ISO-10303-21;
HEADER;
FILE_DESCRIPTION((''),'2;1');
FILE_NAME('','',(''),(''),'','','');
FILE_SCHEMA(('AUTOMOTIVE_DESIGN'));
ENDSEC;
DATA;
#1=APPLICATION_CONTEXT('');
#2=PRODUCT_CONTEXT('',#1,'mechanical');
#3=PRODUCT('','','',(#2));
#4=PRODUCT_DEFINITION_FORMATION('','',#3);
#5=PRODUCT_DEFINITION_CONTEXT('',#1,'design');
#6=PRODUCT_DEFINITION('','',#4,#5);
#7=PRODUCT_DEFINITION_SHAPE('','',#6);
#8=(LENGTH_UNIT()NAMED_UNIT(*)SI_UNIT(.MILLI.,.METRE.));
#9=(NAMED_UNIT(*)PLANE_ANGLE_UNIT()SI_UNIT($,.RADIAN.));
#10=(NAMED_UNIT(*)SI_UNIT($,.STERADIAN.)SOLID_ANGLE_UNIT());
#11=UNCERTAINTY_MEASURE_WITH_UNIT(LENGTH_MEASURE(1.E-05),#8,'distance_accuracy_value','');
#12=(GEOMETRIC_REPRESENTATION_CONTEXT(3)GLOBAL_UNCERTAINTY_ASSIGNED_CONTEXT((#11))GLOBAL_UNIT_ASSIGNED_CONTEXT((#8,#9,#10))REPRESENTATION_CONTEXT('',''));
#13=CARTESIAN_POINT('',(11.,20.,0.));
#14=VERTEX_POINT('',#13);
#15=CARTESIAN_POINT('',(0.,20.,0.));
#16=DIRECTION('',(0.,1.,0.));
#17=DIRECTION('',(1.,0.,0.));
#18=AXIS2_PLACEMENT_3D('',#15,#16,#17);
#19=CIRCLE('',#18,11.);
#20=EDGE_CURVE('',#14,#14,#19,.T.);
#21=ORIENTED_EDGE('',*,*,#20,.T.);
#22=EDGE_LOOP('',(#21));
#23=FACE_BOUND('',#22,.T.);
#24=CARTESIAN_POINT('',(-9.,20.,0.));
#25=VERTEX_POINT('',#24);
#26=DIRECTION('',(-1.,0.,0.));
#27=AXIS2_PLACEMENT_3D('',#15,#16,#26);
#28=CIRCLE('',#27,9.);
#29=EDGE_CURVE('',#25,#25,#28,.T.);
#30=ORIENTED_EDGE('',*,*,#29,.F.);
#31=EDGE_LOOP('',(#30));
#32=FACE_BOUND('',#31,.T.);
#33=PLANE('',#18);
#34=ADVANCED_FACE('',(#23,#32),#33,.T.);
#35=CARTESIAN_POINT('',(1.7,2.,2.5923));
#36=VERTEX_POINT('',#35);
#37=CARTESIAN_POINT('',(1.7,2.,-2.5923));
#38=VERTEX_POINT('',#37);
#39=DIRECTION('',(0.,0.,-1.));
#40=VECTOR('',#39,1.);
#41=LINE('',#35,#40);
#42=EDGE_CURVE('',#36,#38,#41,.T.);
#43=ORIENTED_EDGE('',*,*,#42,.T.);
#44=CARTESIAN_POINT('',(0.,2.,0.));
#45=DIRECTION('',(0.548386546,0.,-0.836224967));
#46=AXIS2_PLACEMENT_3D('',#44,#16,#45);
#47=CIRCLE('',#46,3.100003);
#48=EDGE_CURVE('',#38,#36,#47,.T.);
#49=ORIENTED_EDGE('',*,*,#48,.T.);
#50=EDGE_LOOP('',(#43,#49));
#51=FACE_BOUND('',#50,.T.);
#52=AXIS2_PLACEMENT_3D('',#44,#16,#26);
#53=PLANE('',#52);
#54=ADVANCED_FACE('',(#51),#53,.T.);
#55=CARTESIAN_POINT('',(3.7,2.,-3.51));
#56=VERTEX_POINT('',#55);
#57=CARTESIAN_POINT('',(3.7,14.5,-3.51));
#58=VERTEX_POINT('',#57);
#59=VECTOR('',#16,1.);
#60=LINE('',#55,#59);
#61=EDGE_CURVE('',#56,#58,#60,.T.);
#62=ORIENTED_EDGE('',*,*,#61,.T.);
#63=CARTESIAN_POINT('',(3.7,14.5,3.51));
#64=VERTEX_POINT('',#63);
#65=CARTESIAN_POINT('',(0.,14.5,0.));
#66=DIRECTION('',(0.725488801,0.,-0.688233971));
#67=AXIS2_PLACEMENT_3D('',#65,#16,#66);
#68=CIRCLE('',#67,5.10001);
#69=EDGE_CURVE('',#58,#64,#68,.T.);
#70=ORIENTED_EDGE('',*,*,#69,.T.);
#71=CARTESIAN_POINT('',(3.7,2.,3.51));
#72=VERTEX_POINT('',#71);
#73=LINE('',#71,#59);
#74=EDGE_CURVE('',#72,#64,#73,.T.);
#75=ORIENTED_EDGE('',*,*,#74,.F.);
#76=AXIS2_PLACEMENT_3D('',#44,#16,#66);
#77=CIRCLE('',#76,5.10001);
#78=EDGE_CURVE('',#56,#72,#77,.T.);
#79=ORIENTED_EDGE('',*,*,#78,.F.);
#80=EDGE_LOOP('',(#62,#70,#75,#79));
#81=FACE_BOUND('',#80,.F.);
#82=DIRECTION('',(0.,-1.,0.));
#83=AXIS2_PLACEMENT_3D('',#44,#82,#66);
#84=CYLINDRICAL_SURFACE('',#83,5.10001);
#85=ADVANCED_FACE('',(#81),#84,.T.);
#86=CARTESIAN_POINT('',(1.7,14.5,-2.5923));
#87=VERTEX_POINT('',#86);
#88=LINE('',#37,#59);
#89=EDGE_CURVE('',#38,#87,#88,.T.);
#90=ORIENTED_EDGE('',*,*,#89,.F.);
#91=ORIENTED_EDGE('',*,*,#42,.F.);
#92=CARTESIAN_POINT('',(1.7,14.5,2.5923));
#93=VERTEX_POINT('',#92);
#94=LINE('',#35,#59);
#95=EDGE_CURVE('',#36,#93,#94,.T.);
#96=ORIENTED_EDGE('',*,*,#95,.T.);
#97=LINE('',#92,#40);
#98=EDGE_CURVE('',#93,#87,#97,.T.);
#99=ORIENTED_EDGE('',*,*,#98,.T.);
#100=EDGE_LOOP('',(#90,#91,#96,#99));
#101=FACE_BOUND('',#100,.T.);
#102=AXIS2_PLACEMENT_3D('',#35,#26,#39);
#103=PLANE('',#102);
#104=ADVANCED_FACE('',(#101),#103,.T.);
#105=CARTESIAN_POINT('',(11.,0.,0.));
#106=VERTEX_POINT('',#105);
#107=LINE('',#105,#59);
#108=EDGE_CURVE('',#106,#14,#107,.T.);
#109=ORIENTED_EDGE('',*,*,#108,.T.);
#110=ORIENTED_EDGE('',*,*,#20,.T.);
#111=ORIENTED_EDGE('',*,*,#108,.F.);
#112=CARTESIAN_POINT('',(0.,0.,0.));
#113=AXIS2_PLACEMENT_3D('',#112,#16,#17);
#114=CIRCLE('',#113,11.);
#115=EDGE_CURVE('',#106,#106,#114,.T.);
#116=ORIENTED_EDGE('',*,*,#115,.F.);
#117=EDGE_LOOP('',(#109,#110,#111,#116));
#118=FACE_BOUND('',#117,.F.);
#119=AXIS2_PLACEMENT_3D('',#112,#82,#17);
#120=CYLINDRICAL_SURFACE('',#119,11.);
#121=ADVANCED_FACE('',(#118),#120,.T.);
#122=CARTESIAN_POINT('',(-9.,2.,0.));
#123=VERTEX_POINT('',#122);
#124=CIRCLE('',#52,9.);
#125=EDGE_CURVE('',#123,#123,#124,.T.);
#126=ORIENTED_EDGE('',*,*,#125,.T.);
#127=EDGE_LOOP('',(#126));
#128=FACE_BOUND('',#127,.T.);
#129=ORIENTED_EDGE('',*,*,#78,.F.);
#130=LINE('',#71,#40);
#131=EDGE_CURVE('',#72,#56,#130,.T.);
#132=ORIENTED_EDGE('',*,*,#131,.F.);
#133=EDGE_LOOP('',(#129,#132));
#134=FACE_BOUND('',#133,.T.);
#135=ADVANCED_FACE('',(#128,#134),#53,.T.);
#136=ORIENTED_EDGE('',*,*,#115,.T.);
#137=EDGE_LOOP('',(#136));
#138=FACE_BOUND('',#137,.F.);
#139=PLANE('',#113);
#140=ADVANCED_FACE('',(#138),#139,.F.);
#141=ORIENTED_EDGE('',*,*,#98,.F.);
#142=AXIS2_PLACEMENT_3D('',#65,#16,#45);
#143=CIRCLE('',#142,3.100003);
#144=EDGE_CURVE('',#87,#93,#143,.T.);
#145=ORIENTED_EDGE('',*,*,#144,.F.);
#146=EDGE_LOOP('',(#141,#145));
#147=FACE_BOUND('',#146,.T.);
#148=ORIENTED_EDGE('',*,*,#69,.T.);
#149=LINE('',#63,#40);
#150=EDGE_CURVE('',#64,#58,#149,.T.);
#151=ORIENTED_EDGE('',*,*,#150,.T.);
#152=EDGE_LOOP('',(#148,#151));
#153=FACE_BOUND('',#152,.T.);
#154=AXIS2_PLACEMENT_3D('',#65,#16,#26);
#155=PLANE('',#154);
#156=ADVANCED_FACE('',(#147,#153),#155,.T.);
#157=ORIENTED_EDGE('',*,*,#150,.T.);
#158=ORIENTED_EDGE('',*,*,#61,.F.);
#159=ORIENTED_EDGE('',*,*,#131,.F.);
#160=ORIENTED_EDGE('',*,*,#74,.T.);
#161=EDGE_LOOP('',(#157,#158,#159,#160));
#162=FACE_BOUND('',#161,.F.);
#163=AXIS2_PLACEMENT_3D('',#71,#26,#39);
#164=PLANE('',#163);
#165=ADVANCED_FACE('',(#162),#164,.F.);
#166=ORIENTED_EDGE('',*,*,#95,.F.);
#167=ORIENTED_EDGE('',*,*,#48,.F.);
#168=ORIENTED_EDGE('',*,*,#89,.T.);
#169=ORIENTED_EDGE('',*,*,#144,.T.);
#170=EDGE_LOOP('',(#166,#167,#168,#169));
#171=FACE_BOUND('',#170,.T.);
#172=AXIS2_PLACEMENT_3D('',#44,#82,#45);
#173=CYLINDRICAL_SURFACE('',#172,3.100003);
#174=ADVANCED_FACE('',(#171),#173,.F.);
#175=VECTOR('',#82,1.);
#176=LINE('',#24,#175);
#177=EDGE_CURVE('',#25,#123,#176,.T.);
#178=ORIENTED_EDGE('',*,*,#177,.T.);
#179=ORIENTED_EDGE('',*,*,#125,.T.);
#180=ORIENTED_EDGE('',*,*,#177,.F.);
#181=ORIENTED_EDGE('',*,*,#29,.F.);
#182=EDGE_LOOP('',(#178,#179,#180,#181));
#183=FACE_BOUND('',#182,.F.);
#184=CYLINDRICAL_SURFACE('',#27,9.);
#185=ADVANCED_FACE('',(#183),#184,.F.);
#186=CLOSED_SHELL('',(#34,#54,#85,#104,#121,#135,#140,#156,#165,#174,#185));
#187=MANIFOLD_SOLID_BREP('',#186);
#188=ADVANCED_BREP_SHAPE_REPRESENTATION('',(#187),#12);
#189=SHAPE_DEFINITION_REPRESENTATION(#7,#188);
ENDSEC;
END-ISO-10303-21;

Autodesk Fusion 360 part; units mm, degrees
sketch "Outer" plane through (0, 0, 0) normal (0, 1, 0) x (1, 0, 0)
  circle A0 centre (0, 0) radius 11
  dimension "d1" = 22
extrude "Outer Extrusion" add sketch "Outer" along normal blind 20
sketch "Inner" plane through (0, 20, 0) normal (0, 1, 0) x (-1, 0, 0)
  circle A0 centre (0, 0) radius 11
  circle A1 centre (0, 0) radius 9
  dimension "d4" = 18
extrude "Inner Extrusion" cut sketch "Inner" against normal blind 18 contours A1
sketch "Shaft" plane through (0, 2, 0) normal (0, 1, 0) x (-1, 0, 0)
  circle A0 centre (0, 0) radius 9
  line L0 (-1.7, 2.5923) -> (-1.7, -2.5923)
  arc A1 (-1.7, -2.5923) -> (-1.7, 2.5923) centre (0, 0) ccw
  arc A2 (-3.7, -3.51) -> (-3.7, 3.51) centre (0, 0) ccw
  line L1 (-3.7, 3.51) -> (-3.7, -3.51)
  dimension "d7" = 6.2
  dimension "d8" = 1.7
  dimension "d9" = 2
extrude "Shaft Extrusion" add sketch "Shaft" along normal blind 12.5 contours A2 L1
equation "d5 = -( 20 mm - 2 mm )"
equation "d7 = 5.8 mm + 0.2 mm + 0.2 mm"
equation "d8 = ( 4.5 mm - 3 mm ) + 0.2 mm"
equation "d10 = 20 mm - 2 mm - 5.5 mm"
equation "d14 = 20 mm - 2 mm - 5.5 mm"
